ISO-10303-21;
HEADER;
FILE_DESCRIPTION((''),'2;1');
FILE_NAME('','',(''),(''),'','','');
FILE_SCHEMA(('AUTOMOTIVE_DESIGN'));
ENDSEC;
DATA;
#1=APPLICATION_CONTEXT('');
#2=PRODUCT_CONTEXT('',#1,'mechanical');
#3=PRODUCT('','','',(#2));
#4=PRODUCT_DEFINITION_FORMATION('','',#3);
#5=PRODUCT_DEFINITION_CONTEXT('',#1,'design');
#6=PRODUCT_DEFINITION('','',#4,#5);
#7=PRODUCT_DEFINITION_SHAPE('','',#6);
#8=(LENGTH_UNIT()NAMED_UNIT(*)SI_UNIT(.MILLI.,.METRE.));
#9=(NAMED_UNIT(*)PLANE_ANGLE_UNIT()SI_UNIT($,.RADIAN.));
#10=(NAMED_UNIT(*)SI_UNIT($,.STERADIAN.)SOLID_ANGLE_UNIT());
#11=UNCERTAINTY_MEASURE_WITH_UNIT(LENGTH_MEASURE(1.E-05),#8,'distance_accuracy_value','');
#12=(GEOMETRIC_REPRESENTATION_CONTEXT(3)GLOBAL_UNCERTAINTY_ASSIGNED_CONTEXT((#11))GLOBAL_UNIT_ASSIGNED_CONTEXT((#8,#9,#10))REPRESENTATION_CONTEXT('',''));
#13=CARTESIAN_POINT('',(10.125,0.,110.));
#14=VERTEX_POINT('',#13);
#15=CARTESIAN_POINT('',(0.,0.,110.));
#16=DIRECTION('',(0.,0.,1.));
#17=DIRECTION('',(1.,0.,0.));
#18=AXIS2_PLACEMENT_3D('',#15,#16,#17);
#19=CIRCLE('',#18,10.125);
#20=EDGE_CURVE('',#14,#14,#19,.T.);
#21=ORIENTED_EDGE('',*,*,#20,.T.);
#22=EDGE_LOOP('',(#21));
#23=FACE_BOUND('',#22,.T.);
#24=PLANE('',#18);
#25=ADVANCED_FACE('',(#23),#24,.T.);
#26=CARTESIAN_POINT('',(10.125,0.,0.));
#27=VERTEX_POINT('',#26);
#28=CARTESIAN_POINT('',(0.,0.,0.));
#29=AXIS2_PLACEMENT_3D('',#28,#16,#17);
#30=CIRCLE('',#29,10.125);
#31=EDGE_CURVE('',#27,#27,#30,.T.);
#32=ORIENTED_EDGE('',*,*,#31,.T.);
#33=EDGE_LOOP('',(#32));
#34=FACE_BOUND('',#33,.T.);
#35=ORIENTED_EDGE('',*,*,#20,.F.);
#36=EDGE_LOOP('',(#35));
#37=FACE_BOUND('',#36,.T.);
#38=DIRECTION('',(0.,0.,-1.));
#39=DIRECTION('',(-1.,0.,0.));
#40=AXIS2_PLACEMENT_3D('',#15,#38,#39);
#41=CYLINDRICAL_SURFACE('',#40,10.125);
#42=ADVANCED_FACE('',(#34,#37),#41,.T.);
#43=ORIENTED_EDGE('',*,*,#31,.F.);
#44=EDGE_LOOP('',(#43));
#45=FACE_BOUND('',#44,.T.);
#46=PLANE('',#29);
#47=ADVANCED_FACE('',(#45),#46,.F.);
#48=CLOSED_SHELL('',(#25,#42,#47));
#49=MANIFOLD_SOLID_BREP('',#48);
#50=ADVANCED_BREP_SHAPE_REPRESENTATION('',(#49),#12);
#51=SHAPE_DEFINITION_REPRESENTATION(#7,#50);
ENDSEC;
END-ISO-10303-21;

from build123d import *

# Parameters (mm, degrees)
ESQUISSE1_R        = 10.125
BOSS_EXTRU_1_DEPTH = 110


with BuildPart() as part:
    # Esquisse1 → Boss.-Extru.1 (new body)
    with BuildSketch(Plane.XY):
        Circle(ESQUISSE1_R)
    extrude(amount=BOSS_EXTRU_1_DEPTH)


solid = part.part
